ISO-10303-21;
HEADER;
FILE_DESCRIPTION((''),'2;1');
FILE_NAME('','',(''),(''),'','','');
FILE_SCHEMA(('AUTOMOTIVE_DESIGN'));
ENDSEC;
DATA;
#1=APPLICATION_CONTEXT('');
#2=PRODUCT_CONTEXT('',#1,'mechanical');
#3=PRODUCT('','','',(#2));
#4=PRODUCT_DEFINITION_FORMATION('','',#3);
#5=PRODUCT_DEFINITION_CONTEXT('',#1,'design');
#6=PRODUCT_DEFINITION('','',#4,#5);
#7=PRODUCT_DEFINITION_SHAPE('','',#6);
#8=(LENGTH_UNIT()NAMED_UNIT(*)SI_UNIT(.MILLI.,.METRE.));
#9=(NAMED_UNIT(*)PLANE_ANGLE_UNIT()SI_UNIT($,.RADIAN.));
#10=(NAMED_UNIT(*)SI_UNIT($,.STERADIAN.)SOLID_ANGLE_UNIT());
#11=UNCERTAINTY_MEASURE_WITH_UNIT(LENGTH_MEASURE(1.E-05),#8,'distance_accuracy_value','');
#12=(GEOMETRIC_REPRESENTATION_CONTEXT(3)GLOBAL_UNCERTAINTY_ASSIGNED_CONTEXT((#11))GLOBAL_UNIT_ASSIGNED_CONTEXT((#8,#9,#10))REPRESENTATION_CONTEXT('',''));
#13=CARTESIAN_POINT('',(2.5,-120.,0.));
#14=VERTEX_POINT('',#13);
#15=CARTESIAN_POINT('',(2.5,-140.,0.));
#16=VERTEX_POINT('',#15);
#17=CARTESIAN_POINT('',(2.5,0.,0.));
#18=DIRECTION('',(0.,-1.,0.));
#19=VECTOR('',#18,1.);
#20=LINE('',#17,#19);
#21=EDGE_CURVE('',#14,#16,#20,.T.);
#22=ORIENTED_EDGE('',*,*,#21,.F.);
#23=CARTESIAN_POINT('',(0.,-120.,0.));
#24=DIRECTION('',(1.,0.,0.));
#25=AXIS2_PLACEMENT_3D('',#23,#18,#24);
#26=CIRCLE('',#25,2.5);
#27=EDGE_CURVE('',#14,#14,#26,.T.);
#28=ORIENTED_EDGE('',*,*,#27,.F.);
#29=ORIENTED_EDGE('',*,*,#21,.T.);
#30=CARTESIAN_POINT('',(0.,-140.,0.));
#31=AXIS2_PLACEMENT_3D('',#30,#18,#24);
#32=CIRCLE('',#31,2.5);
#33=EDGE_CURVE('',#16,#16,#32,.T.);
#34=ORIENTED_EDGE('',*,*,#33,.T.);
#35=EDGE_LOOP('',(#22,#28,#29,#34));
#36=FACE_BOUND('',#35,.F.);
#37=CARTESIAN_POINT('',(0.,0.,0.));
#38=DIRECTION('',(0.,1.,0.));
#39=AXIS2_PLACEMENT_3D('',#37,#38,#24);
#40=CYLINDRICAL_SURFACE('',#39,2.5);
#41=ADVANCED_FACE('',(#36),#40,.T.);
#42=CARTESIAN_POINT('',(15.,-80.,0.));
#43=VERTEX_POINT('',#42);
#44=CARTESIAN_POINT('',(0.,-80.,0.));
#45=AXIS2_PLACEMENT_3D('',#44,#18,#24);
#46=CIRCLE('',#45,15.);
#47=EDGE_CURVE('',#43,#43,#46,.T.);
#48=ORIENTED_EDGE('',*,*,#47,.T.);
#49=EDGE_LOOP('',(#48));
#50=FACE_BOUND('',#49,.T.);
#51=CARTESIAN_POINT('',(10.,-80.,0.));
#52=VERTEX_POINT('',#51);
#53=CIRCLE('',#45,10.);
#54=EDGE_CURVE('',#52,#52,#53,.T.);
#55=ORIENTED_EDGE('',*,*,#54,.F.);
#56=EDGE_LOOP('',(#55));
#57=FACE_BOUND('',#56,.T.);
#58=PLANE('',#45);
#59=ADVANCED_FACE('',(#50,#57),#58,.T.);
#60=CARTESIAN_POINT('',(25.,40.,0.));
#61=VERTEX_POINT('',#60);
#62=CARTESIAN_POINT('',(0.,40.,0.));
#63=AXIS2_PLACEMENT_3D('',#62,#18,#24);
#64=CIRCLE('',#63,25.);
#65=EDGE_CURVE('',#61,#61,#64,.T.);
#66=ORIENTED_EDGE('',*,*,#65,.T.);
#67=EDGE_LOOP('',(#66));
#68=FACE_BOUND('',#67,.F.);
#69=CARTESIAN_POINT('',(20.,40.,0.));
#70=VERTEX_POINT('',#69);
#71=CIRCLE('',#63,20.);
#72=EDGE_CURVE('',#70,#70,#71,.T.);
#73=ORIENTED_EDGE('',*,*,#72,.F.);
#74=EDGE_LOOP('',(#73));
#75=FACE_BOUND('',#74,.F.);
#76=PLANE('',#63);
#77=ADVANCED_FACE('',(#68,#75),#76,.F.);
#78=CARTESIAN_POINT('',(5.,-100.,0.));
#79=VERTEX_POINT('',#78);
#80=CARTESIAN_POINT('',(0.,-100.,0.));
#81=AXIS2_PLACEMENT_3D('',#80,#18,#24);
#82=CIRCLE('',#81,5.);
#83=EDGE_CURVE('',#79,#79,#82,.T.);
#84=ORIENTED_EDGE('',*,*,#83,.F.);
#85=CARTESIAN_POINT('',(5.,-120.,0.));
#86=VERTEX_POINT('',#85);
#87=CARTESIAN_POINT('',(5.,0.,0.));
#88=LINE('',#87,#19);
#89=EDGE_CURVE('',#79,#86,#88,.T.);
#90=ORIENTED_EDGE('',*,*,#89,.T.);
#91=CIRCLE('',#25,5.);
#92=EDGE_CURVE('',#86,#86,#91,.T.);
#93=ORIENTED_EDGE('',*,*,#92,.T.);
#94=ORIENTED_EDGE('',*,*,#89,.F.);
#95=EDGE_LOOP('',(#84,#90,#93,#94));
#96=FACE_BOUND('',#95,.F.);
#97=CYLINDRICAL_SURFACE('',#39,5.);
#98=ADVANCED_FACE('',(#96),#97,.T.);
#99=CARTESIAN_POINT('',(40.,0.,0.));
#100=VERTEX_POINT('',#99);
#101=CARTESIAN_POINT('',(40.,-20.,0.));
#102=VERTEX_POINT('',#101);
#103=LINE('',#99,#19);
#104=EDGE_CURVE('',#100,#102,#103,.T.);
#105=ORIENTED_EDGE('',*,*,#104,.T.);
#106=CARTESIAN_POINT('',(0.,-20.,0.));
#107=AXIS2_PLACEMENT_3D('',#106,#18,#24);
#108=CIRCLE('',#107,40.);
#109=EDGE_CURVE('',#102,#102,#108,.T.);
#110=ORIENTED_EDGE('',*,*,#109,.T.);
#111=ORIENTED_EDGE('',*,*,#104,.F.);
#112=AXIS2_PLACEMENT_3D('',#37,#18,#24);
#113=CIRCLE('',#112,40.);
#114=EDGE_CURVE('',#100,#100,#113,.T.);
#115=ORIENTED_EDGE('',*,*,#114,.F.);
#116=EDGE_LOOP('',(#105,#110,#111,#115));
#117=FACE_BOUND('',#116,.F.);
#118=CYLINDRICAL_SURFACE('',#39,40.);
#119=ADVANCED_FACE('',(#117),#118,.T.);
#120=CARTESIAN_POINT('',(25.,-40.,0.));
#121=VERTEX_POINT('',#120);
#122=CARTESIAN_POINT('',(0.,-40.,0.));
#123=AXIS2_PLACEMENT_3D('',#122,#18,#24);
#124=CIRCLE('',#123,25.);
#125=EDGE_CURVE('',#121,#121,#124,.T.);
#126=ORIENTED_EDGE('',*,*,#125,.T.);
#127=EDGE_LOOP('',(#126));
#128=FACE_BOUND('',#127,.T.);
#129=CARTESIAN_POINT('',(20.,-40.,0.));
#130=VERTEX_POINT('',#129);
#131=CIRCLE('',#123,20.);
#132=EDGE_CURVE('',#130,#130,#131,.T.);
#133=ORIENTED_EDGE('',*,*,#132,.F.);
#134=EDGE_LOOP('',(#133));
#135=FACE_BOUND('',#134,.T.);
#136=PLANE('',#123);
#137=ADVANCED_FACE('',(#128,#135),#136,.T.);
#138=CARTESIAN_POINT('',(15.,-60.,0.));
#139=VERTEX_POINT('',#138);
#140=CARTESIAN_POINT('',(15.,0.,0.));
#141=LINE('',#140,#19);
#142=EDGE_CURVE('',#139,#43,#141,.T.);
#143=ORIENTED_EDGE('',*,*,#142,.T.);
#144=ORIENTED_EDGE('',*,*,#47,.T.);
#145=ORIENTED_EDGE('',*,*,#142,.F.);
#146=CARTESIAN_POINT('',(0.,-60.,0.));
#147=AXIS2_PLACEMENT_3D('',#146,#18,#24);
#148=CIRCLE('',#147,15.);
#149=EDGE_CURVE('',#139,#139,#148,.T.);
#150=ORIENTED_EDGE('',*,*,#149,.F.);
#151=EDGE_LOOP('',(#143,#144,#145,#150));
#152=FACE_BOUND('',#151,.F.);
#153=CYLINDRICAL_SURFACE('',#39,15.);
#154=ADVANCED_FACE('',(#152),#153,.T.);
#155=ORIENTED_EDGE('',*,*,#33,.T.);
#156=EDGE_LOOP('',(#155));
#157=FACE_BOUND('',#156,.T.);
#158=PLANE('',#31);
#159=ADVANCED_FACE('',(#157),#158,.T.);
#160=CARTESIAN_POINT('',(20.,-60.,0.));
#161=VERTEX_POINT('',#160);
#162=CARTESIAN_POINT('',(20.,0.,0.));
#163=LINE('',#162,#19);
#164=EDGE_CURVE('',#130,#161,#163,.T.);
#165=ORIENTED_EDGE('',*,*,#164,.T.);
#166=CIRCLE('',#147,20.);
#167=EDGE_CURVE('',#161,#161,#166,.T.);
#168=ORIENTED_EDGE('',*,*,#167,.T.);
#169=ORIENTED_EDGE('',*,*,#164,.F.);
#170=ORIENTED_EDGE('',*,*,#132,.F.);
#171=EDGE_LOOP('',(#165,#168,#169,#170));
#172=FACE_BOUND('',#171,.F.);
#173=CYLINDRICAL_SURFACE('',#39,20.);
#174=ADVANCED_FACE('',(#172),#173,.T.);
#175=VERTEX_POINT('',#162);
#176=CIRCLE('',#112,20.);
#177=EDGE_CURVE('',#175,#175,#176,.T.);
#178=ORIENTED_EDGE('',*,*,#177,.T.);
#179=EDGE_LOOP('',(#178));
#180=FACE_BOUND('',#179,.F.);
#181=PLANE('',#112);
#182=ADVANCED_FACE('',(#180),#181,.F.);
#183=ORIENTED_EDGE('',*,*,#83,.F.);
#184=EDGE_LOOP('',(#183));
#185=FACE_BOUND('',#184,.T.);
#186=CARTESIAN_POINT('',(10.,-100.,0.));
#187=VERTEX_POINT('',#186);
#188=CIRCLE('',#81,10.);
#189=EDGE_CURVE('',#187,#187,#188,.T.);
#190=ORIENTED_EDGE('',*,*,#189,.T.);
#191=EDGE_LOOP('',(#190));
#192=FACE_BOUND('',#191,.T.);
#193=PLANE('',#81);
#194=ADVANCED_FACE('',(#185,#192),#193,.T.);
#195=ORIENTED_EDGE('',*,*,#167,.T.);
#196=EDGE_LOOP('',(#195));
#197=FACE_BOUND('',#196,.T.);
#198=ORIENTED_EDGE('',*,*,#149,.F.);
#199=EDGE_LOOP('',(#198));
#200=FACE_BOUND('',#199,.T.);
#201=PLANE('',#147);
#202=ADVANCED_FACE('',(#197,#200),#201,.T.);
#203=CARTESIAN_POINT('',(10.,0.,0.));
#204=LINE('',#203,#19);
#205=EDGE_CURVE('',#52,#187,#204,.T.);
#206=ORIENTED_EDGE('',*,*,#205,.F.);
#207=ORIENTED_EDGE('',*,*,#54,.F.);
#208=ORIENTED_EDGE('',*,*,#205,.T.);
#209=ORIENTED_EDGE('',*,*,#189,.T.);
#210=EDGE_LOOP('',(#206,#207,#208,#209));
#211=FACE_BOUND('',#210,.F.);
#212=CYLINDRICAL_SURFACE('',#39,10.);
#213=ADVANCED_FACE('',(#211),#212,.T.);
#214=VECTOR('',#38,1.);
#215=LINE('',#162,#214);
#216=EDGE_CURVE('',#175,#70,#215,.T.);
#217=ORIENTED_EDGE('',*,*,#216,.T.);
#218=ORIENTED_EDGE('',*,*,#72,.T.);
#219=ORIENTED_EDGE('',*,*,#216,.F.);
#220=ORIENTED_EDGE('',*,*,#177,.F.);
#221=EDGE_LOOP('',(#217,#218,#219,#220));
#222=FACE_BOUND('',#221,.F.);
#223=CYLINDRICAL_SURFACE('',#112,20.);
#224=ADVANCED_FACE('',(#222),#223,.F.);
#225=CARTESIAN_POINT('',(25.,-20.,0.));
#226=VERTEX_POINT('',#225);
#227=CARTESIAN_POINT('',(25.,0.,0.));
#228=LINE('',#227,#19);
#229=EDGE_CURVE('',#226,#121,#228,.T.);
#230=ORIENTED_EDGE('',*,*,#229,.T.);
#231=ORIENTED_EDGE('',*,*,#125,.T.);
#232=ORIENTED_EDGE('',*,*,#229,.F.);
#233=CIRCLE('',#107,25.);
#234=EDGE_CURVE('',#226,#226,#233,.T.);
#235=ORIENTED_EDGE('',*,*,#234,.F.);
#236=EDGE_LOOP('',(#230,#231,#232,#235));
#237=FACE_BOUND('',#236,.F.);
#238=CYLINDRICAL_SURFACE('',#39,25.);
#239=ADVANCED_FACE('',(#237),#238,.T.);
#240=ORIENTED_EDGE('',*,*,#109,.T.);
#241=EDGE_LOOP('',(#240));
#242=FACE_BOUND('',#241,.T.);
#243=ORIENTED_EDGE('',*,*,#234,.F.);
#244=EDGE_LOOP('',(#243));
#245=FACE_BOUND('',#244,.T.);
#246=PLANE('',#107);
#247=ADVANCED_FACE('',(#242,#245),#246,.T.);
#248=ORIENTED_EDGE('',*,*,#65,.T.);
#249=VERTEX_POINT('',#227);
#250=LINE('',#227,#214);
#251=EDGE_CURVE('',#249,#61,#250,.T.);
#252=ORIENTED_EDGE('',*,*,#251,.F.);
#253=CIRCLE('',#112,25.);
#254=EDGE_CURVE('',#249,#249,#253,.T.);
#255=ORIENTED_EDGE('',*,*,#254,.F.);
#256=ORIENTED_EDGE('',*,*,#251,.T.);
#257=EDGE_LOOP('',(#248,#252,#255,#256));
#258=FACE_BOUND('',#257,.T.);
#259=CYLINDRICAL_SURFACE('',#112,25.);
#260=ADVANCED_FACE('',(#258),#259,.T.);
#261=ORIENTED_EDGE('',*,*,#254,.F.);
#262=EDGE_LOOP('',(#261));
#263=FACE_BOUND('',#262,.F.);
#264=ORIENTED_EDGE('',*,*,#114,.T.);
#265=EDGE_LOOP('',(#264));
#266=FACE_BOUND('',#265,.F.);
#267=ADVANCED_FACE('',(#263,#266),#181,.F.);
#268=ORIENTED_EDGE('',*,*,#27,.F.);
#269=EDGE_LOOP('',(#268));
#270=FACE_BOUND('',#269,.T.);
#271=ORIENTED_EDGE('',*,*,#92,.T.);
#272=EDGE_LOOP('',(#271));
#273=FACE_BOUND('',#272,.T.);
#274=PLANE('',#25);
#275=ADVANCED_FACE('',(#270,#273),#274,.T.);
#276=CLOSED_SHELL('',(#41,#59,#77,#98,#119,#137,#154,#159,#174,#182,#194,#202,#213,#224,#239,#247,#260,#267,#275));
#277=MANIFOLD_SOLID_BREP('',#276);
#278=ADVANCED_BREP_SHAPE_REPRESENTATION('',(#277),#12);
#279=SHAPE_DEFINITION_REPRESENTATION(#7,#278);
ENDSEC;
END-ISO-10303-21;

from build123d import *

# Parameters (mm, degrees)
F0_R     = 2.5
F1_DEPTH = 140
F0_R_2   = 5
F2_DEPTH = 120
F0_R_3   = 10
F3_DEPTH = 100
F0_R_4   = 15
F4_DEPTH = 80
F0_R_5   = 20
F5_DEPTH = 60
F0_R_6   = 25
F6_DEPTH = 40
F0_R_7   = 40
F7_DEPTH = 20
F8_DEPTH = 40


with BuildPart() as f1:
    # F0 (on Front) → F1 (new body)
    with BuildSketch(Plane.XZ):
        Circle(F0_R)
    extrude(amount=F1_DEPTH)

    # F0 (on Front) → F2 (join)
    with BuildSketch(Plane.XZ):
        Circle(F0_R_2)
        Circle(F0_R, mode=Mode.SUBTRACT)
    extrude(amount=F2_DEPTH)

    # F0 (on Front) → F3 (join)
    with BuildSketch(Plane.XZ):
        Circle(F0_R_3)
        Circle(F0_R_2, mode=Mode.SUBTRACT)
    extrude(amount=F3_DEPTH)

    # F0 (on Front) → F4 (join)
    with BuildSketch(Plane.XZ):
        Circle(F0_R_4)
        Circle(F0_R_3, mode=Mode.SUBTRACT)
    extrude(amount=F4_DEPTH)

    # F0 (on Front) → F5 (join)
    with BuildSketch(Plane.XZ):
        Circle(F0_R_5)
        Circle(F0_R_4, mode=Mode.SUBTRACT)
    extrude(amount=F5_DEPTH)

    # F0 (on Front) → F6 (join)
    with BuildSketch(Plane.XZ):
        Circle(F0_R_6)
        Circle(F0_R_5, mode=Mode.SUBTRACT)
    extrude(amount=F6_DEPTH)

    # F0 (on Front) → F7 (join)
    with BuildSketch(Plane.XZ):
        Circle(F0_R_7)
        Circle(F0_R_6, mode=Mode.SUBTRACT)
    extrude(amount=F7_DEPTH)

    # F0 (on Front) → F8 (join)
    with BuildSketch(Plane.XZ):
        Circle(F0_R_6)
        Circle(F0_R_5, mode=Mode.SUBTRACT)
    extrude(amount=-F8_DEPTH)


solid = f1.part
